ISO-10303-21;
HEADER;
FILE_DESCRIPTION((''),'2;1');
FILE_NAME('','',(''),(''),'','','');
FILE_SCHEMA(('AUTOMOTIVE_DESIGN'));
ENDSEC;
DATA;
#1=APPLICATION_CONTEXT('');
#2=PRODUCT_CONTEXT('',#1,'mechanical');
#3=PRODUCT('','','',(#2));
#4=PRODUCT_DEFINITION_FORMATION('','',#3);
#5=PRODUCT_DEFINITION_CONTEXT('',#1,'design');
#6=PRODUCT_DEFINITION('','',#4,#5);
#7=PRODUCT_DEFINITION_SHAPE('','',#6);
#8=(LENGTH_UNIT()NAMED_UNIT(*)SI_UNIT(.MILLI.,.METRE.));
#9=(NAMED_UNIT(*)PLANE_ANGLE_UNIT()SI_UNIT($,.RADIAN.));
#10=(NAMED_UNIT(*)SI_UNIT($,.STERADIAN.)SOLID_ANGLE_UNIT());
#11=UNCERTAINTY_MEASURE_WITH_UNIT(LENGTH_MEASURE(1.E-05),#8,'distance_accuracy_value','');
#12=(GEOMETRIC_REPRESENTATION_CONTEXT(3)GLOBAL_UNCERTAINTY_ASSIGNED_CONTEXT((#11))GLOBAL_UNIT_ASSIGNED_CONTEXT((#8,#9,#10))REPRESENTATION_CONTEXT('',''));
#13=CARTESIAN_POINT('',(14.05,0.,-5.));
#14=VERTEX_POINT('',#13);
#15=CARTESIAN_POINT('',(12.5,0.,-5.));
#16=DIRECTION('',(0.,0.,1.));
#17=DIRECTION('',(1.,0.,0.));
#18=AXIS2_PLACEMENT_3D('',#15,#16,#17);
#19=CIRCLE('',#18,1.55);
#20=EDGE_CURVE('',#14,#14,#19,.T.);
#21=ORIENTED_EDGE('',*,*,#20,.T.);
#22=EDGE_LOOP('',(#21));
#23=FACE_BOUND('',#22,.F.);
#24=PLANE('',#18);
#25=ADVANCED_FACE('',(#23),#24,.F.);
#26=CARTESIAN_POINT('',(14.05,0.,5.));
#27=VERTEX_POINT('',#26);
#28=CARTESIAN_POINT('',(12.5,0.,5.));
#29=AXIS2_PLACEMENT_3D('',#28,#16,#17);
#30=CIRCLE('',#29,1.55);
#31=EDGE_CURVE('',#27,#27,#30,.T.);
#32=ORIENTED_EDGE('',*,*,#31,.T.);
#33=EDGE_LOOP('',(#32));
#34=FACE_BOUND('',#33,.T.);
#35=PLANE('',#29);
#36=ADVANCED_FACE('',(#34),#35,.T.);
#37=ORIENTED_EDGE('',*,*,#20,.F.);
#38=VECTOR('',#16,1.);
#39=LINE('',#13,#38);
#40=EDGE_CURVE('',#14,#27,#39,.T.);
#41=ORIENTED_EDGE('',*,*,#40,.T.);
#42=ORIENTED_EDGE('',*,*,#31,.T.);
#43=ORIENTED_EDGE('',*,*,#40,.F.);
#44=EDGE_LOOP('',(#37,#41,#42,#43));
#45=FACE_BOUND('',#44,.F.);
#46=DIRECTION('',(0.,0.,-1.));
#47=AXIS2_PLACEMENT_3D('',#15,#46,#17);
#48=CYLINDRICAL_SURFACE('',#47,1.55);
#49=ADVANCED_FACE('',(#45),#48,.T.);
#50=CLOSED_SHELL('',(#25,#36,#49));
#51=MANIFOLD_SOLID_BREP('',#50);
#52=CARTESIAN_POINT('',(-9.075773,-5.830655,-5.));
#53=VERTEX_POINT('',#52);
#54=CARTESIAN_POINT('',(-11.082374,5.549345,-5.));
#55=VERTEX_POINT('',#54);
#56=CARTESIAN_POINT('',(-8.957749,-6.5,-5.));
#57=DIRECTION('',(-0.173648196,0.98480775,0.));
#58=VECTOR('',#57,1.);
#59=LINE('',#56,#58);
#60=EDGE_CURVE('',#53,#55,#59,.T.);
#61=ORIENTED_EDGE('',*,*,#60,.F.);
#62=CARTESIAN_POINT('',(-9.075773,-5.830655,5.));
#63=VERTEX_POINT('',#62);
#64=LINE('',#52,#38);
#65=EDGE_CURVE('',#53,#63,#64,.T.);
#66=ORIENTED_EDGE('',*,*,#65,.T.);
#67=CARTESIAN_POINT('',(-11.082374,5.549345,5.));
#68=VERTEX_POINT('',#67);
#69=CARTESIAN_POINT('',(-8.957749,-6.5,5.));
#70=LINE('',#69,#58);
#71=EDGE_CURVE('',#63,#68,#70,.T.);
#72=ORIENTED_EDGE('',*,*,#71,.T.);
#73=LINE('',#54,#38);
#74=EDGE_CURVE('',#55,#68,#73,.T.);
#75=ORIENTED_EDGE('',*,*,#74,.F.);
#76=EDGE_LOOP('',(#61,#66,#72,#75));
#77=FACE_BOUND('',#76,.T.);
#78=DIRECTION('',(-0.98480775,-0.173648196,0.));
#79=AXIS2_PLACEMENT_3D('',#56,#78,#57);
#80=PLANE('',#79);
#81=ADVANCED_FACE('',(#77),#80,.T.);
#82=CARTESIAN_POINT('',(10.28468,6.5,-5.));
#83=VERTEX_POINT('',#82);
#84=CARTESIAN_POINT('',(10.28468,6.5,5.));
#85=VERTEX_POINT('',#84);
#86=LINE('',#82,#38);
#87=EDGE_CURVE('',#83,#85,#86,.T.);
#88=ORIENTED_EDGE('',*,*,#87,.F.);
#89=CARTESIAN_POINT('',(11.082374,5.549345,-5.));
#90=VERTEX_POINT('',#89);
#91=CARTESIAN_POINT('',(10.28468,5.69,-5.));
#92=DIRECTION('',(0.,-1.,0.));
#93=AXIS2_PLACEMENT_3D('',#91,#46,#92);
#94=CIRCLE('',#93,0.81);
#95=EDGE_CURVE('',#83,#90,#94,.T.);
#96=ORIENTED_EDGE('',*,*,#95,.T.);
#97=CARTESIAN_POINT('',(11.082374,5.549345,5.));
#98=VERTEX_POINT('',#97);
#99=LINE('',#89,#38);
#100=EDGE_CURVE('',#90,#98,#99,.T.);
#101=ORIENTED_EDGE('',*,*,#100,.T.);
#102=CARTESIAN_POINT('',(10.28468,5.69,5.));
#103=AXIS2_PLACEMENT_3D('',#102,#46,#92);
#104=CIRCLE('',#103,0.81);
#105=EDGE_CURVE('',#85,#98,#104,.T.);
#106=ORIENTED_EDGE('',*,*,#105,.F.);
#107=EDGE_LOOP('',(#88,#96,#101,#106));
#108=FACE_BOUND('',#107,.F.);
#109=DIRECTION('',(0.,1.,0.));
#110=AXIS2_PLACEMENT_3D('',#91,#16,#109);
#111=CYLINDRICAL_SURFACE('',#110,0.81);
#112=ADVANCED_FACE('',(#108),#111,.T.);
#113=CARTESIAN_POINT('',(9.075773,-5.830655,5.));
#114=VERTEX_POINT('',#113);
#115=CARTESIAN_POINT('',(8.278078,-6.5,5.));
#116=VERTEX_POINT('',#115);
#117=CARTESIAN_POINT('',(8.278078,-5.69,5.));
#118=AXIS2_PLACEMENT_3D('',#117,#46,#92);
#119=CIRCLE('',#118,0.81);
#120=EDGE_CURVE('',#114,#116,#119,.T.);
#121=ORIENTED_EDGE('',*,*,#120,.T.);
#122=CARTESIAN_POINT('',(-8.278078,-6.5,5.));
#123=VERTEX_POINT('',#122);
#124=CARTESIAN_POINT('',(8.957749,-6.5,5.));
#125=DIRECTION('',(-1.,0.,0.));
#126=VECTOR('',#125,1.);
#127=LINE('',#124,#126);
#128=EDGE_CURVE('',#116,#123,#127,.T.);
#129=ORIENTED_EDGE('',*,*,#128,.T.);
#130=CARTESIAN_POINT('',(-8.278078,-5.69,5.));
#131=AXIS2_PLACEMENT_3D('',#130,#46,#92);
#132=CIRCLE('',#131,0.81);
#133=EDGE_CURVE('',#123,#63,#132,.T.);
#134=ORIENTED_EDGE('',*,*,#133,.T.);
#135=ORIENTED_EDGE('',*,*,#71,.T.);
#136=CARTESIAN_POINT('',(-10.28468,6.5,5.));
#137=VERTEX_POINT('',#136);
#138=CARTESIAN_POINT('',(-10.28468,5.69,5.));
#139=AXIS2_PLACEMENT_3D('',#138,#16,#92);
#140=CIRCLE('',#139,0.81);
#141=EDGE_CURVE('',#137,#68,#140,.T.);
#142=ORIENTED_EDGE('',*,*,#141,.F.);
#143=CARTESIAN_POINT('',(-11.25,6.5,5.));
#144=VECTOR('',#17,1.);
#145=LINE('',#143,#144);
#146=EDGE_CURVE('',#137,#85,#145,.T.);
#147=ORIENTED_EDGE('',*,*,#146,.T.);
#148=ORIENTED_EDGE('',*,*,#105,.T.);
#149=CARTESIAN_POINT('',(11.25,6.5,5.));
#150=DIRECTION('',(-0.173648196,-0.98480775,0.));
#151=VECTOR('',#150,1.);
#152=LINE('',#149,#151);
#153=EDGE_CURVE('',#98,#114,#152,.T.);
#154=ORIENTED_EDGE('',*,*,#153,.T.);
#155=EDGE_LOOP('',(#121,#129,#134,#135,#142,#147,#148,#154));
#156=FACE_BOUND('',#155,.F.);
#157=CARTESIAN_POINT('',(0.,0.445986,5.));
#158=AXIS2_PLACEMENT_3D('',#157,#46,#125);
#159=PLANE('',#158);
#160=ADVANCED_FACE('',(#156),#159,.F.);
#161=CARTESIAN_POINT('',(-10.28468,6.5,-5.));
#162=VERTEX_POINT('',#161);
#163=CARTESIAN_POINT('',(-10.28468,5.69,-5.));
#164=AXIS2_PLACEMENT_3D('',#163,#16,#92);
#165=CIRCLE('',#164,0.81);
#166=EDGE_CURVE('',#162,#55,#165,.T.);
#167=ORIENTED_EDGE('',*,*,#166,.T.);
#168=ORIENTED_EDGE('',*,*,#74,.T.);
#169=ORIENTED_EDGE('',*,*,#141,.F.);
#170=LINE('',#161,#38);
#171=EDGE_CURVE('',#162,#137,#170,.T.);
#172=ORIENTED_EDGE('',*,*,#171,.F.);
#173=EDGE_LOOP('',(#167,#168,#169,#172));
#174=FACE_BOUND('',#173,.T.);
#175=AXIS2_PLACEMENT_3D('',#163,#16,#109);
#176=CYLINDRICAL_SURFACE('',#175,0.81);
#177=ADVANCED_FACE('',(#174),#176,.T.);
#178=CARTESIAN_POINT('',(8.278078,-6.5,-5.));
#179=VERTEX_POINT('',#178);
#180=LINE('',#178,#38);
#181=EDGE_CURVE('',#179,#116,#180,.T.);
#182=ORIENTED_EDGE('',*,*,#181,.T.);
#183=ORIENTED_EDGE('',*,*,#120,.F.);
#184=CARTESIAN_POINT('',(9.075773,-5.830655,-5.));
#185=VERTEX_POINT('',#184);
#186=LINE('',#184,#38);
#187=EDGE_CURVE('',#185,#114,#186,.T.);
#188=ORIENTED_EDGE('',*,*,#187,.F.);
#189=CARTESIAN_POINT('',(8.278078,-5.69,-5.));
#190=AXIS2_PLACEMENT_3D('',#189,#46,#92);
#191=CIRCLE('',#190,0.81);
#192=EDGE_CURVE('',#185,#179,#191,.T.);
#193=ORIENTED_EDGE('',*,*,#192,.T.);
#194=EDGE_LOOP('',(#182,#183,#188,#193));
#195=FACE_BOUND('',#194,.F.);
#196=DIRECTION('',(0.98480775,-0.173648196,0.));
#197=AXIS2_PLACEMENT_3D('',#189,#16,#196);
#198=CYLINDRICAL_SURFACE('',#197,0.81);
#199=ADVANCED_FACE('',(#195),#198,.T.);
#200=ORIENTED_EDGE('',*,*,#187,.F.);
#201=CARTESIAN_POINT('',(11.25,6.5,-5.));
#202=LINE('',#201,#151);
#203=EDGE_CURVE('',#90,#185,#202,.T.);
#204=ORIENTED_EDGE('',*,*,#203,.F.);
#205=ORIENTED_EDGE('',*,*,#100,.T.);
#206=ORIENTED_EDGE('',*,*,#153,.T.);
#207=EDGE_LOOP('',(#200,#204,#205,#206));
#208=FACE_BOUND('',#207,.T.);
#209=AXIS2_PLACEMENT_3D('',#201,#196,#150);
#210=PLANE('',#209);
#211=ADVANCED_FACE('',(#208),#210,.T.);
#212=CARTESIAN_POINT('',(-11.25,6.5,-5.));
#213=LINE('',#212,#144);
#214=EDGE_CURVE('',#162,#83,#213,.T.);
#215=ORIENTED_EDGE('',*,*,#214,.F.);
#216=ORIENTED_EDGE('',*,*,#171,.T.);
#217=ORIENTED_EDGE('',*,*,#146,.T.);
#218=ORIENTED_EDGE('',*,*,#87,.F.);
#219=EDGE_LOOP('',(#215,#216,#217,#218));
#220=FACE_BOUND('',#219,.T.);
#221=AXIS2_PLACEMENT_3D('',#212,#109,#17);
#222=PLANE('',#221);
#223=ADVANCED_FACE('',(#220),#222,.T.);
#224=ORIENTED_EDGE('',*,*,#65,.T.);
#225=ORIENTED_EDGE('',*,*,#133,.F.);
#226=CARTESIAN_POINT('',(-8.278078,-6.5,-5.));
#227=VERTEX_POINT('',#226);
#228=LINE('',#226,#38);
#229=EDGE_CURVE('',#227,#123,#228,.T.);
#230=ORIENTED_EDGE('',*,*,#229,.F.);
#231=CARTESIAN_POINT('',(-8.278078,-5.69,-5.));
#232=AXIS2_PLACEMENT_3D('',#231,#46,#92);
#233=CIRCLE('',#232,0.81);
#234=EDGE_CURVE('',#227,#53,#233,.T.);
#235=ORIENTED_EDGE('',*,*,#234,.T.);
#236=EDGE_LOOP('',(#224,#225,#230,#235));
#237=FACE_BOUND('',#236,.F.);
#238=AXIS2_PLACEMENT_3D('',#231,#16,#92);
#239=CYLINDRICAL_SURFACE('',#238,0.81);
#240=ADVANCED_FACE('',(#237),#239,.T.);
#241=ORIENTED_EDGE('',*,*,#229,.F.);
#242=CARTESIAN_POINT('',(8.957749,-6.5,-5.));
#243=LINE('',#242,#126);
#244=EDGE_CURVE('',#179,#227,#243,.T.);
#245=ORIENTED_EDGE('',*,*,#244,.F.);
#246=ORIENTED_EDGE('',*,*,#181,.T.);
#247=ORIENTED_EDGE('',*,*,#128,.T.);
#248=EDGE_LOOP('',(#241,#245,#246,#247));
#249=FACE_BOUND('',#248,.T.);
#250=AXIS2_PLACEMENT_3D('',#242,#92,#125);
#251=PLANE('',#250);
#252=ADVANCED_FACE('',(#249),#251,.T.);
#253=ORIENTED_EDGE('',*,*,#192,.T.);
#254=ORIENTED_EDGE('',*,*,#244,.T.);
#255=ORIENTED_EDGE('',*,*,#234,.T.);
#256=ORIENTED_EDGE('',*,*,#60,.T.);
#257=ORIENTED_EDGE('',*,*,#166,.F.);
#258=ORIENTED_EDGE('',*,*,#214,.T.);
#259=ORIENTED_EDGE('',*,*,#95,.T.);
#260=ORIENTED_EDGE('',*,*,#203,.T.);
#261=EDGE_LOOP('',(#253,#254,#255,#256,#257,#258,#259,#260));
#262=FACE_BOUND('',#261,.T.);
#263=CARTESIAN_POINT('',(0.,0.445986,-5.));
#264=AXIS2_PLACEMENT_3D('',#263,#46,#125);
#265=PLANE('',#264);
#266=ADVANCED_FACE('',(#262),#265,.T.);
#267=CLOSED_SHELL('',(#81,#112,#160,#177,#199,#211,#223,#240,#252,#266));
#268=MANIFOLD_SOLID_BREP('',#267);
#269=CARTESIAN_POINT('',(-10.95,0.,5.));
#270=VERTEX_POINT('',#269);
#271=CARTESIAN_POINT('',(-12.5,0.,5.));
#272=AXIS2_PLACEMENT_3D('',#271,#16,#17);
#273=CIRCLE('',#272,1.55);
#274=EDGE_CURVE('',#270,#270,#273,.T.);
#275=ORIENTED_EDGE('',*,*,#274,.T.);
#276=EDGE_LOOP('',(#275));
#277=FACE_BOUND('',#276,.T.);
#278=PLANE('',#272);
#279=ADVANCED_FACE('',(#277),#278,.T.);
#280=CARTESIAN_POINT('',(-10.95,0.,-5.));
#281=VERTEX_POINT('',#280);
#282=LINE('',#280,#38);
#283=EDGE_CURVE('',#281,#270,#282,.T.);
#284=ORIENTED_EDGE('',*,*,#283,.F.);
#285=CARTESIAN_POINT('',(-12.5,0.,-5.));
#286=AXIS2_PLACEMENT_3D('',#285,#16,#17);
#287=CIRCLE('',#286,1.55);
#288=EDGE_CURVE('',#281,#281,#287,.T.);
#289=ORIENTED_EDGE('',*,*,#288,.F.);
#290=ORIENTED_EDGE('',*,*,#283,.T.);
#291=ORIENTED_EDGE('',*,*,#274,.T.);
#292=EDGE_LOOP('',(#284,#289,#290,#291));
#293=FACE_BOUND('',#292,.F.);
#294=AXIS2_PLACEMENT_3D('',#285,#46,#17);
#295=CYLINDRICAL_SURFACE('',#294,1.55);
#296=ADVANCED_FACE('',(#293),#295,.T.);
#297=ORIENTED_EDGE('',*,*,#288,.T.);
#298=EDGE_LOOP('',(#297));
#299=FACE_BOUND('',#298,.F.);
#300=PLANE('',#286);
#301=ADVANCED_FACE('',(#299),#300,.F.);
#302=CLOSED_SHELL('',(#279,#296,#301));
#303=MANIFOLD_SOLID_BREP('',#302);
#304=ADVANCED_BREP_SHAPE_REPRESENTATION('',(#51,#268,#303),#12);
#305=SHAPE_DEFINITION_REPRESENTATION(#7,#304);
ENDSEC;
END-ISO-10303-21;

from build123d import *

# Parameters (mm, degrees)
CYLINDER_R        = 1.55
CYLINDER_DEPTH    = 10
PAD001_DEPTH      = 10
CYLINDER001_R     = 1.55
CYLINDER001_DEPTH = 10
FILLET004_R       = 0.81


with BuildPart() as cylinder:
    # Cylinder → Cylinder (new body)
    with BuildSketch(Plane(origin=(12.5, 0, -5), x_dir=(1, 0, 0), z_dir=(0, 0, 1))):
        Circle(CYLINDER_R)
    extrude(amount=CYLINDER_DEPTH)


with BuildPart() as panel_cutout_rear:
    # Sketch001 → Pad001 (new body)
    with BuildSketch(Plane.XY):
        Polygon((-11.25, 6.5), (11.25, 6.5), (8.957749, -6.5), (-8.957749, -6.5), align=None)
    extrude(amount=PAD001_DEPTH)


with BuildPart() as panel_cutout_rear_1:
    # Body001 placement: moved
    add(panel_cutout_rear.part.moved(Location((0, 0, -5))))


with BuildPart() as panel_cutout_rear001:
    # Cylinder001 → Cylinder001 (new body)
    with BuildSketch(Plane(origin=(-12.5, 0, -5), x_dir=(1, 0, 0), z_dir=(0, 0, 1))):
        Circle(CYLINDER001_R)
    extrude(amount=CYLINDER001_DEPTH)

    # Fusion: union Cylinder, Panel Cutout Rear
    add(cylinder.part)
    add(panel_cutout_rear_1.part)

    # Fillet004
    fillet004_edges = [panel_cutout_rear001.edges().sort_by_distance(p)[0] for p in [
        (-11.25, 6.5, 0),
        (11.25, 6.5, 0),
        (8.957749, -6.5, 0),
        (-8.957749, -6.5, 0),
    ]]
    fillet(fillet004_edges, radius=FILLET004_R)


solid = panel_cutout_rear001.part
